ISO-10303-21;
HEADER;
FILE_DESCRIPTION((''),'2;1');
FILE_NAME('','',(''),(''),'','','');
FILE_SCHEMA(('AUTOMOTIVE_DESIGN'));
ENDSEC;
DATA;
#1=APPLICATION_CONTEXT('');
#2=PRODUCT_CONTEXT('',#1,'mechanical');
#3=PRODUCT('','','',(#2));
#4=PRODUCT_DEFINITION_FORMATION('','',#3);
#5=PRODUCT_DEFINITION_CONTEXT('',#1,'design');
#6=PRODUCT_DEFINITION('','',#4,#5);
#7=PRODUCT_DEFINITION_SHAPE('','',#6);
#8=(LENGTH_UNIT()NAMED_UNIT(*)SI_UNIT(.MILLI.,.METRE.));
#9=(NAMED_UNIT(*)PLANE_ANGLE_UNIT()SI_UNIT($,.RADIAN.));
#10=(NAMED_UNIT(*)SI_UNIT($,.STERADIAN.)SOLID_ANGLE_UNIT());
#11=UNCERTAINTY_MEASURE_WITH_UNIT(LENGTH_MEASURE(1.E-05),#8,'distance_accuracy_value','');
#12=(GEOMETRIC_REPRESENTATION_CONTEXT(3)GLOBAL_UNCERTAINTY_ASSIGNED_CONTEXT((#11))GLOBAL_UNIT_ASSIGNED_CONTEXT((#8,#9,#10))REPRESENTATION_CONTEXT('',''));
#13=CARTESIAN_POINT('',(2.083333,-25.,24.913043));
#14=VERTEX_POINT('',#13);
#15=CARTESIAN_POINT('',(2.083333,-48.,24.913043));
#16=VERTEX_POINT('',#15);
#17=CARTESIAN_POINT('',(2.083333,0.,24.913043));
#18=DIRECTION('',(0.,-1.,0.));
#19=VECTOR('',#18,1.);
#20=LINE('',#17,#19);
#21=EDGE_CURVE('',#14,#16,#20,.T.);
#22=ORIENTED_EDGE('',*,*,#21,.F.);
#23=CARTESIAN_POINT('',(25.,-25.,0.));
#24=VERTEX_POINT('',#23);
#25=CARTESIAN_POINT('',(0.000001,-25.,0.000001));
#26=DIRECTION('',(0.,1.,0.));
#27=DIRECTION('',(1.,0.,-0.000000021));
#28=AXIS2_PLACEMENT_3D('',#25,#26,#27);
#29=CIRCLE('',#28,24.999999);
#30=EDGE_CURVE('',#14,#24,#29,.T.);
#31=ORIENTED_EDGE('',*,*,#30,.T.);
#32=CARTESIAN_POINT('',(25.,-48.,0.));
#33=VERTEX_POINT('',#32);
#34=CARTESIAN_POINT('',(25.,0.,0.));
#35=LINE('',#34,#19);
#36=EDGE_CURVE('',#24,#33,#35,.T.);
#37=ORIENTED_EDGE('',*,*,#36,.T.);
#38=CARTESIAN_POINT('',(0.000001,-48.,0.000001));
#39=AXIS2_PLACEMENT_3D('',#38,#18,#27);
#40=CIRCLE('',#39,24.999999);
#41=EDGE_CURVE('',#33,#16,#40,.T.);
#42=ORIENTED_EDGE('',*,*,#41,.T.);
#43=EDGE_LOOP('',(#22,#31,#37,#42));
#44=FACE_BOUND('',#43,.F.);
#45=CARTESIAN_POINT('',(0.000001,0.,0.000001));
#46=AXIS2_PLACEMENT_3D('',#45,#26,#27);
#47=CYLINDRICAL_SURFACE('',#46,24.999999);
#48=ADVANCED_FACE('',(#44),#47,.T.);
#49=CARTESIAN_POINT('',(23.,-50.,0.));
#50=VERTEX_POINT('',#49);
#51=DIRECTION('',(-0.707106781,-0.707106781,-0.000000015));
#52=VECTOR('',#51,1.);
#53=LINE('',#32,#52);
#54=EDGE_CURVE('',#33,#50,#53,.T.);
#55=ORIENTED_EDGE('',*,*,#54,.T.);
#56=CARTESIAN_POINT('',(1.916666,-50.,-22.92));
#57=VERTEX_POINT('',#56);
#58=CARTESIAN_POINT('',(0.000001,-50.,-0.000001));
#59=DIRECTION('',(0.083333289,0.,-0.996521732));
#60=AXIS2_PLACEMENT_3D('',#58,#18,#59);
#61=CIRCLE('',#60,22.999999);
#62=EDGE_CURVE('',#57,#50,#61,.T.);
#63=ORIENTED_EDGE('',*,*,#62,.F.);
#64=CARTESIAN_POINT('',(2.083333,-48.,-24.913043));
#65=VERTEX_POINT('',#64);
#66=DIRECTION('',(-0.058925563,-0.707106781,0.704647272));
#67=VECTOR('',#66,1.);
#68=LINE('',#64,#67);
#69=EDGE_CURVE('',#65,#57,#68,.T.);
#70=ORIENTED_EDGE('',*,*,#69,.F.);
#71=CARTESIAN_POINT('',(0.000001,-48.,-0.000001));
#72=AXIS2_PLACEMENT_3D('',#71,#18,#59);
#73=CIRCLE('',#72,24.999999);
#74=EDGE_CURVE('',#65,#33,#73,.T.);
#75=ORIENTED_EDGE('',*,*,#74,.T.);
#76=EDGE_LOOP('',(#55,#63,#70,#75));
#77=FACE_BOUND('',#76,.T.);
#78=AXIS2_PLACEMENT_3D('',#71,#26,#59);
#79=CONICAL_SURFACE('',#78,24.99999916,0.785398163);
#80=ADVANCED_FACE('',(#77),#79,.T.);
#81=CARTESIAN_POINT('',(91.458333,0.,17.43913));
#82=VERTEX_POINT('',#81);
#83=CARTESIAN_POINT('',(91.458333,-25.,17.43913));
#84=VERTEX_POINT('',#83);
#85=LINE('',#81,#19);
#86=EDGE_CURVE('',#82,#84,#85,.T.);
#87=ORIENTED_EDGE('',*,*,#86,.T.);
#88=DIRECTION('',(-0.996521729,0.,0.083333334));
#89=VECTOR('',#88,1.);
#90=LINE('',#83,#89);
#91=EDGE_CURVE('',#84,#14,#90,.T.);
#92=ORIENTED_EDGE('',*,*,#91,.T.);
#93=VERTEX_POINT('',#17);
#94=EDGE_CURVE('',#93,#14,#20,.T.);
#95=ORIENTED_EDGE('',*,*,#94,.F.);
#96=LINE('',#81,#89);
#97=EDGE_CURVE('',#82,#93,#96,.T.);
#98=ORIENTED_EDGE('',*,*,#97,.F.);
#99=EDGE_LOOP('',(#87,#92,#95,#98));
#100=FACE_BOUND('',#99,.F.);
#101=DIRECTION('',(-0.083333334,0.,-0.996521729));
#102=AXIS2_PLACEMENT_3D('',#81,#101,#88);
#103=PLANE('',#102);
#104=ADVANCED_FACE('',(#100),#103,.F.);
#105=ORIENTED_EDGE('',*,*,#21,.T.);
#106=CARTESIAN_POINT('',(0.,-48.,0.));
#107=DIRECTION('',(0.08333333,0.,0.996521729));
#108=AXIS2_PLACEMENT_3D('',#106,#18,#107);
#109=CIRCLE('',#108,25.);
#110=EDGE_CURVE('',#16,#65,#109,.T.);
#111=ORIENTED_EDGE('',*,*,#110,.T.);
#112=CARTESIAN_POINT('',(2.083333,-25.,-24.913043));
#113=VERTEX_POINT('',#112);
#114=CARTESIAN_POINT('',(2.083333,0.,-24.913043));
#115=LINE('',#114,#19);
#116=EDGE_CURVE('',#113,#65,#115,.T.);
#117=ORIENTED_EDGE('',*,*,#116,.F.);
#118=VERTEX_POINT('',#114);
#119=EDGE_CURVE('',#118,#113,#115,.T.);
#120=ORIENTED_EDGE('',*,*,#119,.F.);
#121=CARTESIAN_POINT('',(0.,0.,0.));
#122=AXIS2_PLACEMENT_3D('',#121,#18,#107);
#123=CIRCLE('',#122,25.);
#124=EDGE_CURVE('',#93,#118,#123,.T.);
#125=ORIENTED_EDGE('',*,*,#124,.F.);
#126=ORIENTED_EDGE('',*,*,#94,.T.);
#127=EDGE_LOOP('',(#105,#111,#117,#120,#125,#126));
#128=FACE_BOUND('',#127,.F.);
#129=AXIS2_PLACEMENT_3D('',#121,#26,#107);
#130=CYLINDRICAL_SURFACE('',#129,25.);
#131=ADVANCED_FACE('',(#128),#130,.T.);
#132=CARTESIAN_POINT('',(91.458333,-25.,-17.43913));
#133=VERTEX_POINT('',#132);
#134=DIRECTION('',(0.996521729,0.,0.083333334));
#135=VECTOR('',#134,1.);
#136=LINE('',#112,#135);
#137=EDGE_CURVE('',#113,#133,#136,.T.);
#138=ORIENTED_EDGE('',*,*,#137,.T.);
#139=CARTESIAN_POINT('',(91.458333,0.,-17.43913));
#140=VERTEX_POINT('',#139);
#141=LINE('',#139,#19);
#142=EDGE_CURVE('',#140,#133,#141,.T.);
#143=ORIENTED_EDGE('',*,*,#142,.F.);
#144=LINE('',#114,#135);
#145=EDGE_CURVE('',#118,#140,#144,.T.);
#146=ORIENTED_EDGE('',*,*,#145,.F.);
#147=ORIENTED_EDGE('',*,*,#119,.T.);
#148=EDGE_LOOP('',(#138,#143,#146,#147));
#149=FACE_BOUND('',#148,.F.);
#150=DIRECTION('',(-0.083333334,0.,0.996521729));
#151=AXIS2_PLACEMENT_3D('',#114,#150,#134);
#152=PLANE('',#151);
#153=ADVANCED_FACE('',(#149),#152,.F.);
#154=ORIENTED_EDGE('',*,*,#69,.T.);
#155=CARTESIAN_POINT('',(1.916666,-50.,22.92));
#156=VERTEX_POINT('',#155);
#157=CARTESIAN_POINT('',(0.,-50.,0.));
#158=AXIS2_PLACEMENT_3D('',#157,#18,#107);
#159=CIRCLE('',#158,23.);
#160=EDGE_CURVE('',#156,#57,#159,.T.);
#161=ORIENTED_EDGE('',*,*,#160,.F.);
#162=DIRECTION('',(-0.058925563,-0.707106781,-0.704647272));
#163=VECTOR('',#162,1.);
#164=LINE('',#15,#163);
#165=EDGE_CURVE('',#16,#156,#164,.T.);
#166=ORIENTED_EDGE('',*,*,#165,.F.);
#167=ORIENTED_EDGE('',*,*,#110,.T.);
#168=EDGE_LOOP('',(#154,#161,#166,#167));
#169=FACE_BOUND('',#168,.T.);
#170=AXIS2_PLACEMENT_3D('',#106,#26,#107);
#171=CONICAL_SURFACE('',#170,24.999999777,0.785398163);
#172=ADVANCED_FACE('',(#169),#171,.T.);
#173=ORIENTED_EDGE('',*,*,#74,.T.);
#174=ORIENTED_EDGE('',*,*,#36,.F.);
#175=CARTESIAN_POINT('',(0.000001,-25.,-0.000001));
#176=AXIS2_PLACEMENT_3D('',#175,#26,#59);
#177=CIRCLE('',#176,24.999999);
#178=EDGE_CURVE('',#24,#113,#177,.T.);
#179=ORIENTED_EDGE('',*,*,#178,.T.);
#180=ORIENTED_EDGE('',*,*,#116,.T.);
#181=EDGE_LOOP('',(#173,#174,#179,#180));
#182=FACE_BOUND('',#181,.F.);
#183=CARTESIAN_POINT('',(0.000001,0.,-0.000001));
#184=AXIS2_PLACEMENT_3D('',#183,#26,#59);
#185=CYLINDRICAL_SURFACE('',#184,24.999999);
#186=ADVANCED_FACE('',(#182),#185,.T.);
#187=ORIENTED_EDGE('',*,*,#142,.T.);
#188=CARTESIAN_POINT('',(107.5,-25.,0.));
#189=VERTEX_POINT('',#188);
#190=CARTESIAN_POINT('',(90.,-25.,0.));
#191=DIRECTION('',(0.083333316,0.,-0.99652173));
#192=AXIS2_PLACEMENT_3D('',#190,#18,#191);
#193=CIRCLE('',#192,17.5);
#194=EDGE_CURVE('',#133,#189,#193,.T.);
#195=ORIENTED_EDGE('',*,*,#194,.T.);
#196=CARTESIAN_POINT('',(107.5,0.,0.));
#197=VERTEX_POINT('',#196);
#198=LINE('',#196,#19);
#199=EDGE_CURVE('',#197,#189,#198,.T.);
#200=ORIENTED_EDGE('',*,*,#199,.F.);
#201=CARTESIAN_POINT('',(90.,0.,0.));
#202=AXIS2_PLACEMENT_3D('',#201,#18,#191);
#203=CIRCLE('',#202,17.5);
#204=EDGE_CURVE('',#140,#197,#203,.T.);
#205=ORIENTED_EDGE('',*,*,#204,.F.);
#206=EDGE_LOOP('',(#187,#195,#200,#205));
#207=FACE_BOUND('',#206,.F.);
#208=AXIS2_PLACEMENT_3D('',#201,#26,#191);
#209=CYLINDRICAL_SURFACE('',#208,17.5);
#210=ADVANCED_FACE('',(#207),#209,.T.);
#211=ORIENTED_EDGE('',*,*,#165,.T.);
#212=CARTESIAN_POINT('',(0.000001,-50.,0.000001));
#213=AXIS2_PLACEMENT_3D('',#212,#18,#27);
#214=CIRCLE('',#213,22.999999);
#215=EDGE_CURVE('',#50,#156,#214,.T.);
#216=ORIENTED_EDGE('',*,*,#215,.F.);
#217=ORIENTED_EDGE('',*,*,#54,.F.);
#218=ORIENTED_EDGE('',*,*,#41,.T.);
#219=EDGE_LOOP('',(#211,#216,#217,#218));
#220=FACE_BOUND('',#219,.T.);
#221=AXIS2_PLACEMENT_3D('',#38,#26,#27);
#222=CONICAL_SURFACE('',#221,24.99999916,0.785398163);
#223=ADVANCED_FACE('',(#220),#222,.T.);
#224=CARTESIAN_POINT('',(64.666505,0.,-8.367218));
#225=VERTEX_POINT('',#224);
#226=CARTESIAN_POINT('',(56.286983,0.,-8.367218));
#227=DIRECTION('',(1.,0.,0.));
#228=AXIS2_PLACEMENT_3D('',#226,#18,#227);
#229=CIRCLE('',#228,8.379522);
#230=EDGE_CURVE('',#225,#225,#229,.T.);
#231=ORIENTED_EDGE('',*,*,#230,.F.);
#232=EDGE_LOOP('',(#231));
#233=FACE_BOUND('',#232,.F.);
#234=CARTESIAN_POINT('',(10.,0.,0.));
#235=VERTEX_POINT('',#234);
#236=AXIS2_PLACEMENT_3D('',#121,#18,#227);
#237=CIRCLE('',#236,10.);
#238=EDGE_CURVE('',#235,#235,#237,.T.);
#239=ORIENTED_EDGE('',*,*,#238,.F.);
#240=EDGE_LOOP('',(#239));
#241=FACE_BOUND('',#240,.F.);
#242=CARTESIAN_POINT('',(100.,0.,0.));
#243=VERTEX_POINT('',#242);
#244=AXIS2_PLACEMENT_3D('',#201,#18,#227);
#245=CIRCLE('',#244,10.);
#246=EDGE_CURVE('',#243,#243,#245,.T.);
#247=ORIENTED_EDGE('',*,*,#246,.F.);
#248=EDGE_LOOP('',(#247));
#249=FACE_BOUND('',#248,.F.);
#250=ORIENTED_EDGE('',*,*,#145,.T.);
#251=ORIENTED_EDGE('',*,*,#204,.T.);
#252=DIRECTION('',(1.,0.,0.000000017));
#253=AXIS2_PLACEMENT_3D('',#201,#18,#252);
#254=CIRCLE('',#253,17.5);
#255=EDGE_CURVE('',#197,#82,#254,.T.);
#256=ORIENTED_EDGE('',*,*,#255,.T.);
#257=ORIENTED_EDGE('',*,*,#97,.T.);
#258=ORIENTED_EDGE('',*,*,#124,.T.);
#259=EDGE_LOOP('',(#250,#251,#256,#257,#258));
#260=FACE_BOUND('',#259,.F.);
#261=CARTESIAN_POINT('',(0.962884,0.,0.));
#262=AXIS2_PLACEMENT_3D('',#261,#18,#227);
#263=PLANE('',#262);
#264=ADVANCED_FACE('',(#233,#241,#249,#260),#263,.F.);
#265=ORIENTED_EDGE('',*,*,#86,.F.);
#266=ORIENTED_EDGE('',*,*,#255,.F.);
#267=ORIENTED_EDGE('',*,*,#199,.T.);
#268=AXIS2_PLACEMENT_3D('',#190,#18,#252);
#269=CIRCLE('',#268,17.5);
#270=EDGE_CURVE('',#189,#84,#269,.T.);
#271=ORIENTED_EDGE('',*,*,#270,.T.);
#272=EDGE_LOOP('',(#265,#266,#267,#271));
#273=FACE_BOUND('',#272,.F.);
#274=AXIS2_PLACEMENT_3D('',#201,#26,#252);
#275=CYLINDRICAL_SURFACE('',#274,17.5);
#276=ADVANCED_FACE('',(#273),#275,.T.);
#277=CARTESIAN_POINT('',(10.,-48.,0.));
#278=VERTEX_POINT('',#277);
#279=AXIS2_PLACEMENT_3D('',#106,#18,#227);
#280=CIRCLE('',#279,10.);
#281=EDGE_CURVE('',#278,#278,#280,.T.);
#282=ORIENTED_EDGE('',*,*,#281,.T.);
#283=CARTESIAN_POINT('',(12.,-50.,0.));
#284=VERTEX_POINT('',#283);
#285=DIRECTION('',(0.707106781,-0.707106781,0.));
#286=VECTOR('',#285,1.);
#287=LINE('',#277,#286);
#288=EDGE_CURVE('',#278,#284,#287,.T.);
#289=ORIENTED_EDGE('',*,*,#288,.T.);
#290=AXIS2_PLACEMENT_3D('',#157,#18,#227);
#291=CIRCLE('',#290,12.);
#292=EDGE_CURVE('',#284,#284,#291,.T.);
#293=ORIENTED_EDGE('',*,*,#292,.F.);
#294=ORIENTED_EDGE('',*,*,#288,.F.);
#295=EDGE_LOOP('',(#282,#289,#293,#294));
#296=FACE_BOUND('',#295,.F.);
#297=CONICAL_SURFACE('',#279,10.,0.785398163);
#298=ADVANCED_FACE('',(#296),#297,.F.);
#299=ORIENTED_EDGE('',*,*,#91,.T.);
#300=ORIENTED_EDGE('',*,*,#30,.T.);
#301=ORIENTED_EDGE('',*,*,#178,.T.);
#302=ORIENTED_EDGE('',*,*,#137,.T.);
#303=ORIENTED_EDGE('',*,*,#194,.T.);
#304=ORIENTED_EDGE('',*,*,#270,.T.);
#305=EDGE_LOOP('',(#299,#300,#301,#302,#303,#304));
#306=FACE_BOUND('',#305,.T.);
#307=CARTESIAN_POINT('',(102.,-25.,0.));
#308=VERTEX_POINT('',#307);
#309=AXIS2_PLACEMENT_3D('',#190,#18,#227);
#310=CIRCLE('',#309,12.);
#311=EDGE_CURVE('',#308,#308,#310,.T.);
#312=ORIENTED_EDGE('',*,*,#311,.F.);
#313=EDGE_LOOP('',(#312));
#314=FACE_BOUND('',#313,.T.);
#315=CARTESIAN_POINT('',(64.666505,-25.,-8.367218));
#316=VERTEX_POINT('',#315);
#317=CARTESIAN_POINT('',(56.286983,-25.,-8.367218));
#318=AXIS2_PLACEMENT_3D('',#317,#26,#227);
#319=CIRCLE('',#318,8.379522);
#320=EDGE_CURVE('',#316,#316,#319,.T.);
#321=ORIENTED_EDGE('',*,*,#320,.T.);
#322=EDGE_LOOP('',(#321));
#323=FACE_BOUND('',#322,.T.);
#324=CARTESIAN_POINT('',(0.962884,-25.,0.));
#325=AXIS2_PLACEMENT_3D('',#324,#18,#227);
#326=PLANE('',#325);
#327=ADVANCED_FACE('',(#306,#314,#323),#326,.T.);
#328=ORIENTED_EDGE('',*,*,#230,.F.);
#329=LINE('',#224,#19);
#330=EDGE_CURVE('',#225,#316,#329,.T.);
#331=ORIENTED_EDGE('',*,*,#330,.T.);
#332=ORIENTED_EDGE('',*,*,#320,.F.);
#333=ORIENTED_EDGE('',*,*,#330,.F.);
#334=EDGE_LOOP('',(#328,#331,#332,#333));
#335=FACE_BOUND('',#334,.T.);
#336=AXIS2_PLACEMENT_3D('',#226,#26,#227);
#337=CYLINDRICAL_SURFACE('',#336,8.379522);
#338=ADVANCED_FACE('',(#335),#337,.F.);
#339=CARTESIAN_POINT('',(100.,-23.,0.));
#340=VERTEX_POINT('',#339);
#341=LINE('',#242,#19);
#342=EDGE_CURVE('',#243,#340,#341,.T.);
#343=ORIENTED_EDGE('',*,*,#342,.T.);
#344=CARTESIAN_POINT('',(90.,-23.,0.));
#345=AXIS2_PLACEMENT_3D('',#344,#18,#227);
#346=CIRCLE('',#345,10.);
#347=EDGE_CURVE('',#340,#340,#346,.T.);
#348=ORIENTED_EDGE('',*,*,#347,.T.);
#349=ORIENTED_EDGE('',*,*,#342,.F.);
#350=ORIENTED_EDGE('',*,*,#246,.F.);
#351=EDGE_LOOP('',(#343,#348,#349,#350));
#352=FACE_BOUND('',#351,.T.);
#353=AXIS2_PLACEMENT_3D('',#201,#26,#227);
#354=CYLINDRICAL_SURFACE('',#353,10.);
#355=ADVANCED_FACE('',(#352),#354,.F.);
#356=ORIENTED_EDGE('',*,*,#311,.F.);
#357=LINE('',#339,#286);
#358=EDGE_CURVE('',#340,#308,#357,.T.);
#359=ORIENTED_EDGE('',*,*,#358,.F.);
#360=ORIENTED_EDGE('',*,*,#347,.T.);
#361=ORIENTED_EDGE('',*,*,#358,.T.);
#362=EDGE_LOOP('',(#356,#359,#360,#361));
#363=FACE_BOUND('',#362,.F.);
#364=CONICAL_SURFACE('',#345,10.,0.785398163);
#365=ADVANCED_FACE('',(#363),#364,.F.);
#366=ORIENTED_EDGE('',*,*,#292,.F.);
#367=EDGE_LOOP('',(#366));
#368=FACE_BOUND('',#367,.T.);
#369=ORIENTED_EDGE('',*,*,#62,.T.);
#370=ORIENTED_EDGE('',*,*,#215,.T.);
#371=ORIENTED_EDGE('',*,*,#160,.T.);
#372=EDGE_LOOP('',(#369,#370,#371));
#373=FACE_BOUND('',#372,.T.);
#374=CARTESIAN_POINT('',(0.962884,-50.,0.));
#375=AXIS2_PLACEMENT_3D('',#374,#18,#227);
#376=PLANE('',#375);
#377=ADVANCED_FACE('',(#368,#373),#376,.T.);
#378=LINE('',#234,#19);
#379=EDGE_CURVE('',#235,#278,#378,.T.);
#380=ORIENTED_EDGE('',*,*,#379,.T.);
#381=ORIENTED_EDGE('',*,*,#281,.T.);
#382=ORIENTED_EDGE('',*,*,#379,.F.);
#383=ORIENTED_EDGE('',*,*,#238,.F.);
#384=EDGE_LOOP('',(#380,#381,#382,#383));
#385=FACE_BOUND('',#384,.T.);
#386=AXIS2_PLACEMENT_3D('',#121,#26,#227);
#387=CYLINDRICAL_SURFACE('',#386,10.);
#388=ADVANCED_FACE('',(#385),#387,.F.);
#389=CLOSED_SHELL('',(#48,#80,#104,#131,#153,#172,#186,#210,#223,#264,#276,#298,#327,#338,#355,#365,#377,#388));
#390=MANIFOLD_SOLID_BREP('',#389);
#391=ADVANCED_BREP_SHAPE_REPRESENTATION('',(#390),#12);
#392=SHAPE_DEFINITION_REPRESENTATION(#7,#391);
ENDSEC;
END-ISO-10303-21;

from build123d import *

# Parameters (mm, degrees)
F0_R     = 10
F1_DEPTH = 25
F2_DEPTH = 50
F3_SIZE  = 2
F4_R     = 8.379522
F5_DEPTH = 34.1921


with BuildPart() as f1:
    # F0 (on Front) → F1 (new body)
    with BuildSketch(Plane.XZ):
        with BuildLine():
            ThreePointArc((2.083333, -24.913043), (18.399502, -16.92508), (25, 0))
            ThreePointArc((25, 0), (18.399502, 16.92508), (2.083333, 24.913043))
            ThreePointArc((2.083333, 24.913043), (-25, 0), (2.083333, -24.913043))
        make_face()
        Circle(F0_R, mode=Mode.SUBTRACT)
        with BuildLine():
            ThreePointArc((2.083333, 24.913043), (18.399502, 16.92508), (25, 0))
            ThreePointArc((25, 0), (18.399502, -16.92508), (2.083333, -24.913043))
            Line((2.083333, -24.913043), (91.458333, -17.43913))
            ThreePointArc((91.458333, -17.43913), (72.5, 0), (91.458333, 17.43913))
            Line((91.458333, 17.43913), (2.083333, 24.913043))
        make_face()
        with BuildLine():
            ThreePointArc((107.5, 0), (102.879651, 11.847556), (91.458333, 17.43913))
            ThreePointArc((91.458333, 17.43913), (72.5, 0), (91.458333, -17.43913))
            ThreePointArc((91.458333, -17.43913), (102.879651, -11.847556), (107.5, 0))
        make_face()
        with Locations((90, 0)):
            Circle(F0_R, mode=Mode.SUBTRACT)
    extrude(amount=F1_DEPTH)

    # F0 (on Front) → F2 (join)
    with BuildSketch(Plane.XZ):
        with BuildLine():
            ThreePointArc((2.083333, -24.913043), (18.399502, -16.92508), (25, 0))
            ThreePointArc((25, 0), (18.399502, 16.92508), (2.083333, 24.913043))
            ThreePointArc((2.083333, 24.913043), (-25, 0), (2.083333, -24.913043))
        make_face()
        Circle(F0_R, mode=Mode.SUBTRACT)
    extrude(amount=F2_DEPTH)

    # F3
    f3_edges = [f1.edges().sort_by_distance(p)[0] for p in [
        (-2.083333, -50, 24.913043),
        (-10, -50, 0),
        (80, -25, 0),
    ]]
    chamfer(f3_edges, length=F3_SIZE)

    # F4 (on Front) → F5 (cut)
    with BuildSketch(Plane.XZ):
        with Locations((56.286983, -8.367218)):
            Circle(F4_R)
    extrude(amount=F5_DEPTH, mode=Mode.SUBTRACT)


solid = f1.part
